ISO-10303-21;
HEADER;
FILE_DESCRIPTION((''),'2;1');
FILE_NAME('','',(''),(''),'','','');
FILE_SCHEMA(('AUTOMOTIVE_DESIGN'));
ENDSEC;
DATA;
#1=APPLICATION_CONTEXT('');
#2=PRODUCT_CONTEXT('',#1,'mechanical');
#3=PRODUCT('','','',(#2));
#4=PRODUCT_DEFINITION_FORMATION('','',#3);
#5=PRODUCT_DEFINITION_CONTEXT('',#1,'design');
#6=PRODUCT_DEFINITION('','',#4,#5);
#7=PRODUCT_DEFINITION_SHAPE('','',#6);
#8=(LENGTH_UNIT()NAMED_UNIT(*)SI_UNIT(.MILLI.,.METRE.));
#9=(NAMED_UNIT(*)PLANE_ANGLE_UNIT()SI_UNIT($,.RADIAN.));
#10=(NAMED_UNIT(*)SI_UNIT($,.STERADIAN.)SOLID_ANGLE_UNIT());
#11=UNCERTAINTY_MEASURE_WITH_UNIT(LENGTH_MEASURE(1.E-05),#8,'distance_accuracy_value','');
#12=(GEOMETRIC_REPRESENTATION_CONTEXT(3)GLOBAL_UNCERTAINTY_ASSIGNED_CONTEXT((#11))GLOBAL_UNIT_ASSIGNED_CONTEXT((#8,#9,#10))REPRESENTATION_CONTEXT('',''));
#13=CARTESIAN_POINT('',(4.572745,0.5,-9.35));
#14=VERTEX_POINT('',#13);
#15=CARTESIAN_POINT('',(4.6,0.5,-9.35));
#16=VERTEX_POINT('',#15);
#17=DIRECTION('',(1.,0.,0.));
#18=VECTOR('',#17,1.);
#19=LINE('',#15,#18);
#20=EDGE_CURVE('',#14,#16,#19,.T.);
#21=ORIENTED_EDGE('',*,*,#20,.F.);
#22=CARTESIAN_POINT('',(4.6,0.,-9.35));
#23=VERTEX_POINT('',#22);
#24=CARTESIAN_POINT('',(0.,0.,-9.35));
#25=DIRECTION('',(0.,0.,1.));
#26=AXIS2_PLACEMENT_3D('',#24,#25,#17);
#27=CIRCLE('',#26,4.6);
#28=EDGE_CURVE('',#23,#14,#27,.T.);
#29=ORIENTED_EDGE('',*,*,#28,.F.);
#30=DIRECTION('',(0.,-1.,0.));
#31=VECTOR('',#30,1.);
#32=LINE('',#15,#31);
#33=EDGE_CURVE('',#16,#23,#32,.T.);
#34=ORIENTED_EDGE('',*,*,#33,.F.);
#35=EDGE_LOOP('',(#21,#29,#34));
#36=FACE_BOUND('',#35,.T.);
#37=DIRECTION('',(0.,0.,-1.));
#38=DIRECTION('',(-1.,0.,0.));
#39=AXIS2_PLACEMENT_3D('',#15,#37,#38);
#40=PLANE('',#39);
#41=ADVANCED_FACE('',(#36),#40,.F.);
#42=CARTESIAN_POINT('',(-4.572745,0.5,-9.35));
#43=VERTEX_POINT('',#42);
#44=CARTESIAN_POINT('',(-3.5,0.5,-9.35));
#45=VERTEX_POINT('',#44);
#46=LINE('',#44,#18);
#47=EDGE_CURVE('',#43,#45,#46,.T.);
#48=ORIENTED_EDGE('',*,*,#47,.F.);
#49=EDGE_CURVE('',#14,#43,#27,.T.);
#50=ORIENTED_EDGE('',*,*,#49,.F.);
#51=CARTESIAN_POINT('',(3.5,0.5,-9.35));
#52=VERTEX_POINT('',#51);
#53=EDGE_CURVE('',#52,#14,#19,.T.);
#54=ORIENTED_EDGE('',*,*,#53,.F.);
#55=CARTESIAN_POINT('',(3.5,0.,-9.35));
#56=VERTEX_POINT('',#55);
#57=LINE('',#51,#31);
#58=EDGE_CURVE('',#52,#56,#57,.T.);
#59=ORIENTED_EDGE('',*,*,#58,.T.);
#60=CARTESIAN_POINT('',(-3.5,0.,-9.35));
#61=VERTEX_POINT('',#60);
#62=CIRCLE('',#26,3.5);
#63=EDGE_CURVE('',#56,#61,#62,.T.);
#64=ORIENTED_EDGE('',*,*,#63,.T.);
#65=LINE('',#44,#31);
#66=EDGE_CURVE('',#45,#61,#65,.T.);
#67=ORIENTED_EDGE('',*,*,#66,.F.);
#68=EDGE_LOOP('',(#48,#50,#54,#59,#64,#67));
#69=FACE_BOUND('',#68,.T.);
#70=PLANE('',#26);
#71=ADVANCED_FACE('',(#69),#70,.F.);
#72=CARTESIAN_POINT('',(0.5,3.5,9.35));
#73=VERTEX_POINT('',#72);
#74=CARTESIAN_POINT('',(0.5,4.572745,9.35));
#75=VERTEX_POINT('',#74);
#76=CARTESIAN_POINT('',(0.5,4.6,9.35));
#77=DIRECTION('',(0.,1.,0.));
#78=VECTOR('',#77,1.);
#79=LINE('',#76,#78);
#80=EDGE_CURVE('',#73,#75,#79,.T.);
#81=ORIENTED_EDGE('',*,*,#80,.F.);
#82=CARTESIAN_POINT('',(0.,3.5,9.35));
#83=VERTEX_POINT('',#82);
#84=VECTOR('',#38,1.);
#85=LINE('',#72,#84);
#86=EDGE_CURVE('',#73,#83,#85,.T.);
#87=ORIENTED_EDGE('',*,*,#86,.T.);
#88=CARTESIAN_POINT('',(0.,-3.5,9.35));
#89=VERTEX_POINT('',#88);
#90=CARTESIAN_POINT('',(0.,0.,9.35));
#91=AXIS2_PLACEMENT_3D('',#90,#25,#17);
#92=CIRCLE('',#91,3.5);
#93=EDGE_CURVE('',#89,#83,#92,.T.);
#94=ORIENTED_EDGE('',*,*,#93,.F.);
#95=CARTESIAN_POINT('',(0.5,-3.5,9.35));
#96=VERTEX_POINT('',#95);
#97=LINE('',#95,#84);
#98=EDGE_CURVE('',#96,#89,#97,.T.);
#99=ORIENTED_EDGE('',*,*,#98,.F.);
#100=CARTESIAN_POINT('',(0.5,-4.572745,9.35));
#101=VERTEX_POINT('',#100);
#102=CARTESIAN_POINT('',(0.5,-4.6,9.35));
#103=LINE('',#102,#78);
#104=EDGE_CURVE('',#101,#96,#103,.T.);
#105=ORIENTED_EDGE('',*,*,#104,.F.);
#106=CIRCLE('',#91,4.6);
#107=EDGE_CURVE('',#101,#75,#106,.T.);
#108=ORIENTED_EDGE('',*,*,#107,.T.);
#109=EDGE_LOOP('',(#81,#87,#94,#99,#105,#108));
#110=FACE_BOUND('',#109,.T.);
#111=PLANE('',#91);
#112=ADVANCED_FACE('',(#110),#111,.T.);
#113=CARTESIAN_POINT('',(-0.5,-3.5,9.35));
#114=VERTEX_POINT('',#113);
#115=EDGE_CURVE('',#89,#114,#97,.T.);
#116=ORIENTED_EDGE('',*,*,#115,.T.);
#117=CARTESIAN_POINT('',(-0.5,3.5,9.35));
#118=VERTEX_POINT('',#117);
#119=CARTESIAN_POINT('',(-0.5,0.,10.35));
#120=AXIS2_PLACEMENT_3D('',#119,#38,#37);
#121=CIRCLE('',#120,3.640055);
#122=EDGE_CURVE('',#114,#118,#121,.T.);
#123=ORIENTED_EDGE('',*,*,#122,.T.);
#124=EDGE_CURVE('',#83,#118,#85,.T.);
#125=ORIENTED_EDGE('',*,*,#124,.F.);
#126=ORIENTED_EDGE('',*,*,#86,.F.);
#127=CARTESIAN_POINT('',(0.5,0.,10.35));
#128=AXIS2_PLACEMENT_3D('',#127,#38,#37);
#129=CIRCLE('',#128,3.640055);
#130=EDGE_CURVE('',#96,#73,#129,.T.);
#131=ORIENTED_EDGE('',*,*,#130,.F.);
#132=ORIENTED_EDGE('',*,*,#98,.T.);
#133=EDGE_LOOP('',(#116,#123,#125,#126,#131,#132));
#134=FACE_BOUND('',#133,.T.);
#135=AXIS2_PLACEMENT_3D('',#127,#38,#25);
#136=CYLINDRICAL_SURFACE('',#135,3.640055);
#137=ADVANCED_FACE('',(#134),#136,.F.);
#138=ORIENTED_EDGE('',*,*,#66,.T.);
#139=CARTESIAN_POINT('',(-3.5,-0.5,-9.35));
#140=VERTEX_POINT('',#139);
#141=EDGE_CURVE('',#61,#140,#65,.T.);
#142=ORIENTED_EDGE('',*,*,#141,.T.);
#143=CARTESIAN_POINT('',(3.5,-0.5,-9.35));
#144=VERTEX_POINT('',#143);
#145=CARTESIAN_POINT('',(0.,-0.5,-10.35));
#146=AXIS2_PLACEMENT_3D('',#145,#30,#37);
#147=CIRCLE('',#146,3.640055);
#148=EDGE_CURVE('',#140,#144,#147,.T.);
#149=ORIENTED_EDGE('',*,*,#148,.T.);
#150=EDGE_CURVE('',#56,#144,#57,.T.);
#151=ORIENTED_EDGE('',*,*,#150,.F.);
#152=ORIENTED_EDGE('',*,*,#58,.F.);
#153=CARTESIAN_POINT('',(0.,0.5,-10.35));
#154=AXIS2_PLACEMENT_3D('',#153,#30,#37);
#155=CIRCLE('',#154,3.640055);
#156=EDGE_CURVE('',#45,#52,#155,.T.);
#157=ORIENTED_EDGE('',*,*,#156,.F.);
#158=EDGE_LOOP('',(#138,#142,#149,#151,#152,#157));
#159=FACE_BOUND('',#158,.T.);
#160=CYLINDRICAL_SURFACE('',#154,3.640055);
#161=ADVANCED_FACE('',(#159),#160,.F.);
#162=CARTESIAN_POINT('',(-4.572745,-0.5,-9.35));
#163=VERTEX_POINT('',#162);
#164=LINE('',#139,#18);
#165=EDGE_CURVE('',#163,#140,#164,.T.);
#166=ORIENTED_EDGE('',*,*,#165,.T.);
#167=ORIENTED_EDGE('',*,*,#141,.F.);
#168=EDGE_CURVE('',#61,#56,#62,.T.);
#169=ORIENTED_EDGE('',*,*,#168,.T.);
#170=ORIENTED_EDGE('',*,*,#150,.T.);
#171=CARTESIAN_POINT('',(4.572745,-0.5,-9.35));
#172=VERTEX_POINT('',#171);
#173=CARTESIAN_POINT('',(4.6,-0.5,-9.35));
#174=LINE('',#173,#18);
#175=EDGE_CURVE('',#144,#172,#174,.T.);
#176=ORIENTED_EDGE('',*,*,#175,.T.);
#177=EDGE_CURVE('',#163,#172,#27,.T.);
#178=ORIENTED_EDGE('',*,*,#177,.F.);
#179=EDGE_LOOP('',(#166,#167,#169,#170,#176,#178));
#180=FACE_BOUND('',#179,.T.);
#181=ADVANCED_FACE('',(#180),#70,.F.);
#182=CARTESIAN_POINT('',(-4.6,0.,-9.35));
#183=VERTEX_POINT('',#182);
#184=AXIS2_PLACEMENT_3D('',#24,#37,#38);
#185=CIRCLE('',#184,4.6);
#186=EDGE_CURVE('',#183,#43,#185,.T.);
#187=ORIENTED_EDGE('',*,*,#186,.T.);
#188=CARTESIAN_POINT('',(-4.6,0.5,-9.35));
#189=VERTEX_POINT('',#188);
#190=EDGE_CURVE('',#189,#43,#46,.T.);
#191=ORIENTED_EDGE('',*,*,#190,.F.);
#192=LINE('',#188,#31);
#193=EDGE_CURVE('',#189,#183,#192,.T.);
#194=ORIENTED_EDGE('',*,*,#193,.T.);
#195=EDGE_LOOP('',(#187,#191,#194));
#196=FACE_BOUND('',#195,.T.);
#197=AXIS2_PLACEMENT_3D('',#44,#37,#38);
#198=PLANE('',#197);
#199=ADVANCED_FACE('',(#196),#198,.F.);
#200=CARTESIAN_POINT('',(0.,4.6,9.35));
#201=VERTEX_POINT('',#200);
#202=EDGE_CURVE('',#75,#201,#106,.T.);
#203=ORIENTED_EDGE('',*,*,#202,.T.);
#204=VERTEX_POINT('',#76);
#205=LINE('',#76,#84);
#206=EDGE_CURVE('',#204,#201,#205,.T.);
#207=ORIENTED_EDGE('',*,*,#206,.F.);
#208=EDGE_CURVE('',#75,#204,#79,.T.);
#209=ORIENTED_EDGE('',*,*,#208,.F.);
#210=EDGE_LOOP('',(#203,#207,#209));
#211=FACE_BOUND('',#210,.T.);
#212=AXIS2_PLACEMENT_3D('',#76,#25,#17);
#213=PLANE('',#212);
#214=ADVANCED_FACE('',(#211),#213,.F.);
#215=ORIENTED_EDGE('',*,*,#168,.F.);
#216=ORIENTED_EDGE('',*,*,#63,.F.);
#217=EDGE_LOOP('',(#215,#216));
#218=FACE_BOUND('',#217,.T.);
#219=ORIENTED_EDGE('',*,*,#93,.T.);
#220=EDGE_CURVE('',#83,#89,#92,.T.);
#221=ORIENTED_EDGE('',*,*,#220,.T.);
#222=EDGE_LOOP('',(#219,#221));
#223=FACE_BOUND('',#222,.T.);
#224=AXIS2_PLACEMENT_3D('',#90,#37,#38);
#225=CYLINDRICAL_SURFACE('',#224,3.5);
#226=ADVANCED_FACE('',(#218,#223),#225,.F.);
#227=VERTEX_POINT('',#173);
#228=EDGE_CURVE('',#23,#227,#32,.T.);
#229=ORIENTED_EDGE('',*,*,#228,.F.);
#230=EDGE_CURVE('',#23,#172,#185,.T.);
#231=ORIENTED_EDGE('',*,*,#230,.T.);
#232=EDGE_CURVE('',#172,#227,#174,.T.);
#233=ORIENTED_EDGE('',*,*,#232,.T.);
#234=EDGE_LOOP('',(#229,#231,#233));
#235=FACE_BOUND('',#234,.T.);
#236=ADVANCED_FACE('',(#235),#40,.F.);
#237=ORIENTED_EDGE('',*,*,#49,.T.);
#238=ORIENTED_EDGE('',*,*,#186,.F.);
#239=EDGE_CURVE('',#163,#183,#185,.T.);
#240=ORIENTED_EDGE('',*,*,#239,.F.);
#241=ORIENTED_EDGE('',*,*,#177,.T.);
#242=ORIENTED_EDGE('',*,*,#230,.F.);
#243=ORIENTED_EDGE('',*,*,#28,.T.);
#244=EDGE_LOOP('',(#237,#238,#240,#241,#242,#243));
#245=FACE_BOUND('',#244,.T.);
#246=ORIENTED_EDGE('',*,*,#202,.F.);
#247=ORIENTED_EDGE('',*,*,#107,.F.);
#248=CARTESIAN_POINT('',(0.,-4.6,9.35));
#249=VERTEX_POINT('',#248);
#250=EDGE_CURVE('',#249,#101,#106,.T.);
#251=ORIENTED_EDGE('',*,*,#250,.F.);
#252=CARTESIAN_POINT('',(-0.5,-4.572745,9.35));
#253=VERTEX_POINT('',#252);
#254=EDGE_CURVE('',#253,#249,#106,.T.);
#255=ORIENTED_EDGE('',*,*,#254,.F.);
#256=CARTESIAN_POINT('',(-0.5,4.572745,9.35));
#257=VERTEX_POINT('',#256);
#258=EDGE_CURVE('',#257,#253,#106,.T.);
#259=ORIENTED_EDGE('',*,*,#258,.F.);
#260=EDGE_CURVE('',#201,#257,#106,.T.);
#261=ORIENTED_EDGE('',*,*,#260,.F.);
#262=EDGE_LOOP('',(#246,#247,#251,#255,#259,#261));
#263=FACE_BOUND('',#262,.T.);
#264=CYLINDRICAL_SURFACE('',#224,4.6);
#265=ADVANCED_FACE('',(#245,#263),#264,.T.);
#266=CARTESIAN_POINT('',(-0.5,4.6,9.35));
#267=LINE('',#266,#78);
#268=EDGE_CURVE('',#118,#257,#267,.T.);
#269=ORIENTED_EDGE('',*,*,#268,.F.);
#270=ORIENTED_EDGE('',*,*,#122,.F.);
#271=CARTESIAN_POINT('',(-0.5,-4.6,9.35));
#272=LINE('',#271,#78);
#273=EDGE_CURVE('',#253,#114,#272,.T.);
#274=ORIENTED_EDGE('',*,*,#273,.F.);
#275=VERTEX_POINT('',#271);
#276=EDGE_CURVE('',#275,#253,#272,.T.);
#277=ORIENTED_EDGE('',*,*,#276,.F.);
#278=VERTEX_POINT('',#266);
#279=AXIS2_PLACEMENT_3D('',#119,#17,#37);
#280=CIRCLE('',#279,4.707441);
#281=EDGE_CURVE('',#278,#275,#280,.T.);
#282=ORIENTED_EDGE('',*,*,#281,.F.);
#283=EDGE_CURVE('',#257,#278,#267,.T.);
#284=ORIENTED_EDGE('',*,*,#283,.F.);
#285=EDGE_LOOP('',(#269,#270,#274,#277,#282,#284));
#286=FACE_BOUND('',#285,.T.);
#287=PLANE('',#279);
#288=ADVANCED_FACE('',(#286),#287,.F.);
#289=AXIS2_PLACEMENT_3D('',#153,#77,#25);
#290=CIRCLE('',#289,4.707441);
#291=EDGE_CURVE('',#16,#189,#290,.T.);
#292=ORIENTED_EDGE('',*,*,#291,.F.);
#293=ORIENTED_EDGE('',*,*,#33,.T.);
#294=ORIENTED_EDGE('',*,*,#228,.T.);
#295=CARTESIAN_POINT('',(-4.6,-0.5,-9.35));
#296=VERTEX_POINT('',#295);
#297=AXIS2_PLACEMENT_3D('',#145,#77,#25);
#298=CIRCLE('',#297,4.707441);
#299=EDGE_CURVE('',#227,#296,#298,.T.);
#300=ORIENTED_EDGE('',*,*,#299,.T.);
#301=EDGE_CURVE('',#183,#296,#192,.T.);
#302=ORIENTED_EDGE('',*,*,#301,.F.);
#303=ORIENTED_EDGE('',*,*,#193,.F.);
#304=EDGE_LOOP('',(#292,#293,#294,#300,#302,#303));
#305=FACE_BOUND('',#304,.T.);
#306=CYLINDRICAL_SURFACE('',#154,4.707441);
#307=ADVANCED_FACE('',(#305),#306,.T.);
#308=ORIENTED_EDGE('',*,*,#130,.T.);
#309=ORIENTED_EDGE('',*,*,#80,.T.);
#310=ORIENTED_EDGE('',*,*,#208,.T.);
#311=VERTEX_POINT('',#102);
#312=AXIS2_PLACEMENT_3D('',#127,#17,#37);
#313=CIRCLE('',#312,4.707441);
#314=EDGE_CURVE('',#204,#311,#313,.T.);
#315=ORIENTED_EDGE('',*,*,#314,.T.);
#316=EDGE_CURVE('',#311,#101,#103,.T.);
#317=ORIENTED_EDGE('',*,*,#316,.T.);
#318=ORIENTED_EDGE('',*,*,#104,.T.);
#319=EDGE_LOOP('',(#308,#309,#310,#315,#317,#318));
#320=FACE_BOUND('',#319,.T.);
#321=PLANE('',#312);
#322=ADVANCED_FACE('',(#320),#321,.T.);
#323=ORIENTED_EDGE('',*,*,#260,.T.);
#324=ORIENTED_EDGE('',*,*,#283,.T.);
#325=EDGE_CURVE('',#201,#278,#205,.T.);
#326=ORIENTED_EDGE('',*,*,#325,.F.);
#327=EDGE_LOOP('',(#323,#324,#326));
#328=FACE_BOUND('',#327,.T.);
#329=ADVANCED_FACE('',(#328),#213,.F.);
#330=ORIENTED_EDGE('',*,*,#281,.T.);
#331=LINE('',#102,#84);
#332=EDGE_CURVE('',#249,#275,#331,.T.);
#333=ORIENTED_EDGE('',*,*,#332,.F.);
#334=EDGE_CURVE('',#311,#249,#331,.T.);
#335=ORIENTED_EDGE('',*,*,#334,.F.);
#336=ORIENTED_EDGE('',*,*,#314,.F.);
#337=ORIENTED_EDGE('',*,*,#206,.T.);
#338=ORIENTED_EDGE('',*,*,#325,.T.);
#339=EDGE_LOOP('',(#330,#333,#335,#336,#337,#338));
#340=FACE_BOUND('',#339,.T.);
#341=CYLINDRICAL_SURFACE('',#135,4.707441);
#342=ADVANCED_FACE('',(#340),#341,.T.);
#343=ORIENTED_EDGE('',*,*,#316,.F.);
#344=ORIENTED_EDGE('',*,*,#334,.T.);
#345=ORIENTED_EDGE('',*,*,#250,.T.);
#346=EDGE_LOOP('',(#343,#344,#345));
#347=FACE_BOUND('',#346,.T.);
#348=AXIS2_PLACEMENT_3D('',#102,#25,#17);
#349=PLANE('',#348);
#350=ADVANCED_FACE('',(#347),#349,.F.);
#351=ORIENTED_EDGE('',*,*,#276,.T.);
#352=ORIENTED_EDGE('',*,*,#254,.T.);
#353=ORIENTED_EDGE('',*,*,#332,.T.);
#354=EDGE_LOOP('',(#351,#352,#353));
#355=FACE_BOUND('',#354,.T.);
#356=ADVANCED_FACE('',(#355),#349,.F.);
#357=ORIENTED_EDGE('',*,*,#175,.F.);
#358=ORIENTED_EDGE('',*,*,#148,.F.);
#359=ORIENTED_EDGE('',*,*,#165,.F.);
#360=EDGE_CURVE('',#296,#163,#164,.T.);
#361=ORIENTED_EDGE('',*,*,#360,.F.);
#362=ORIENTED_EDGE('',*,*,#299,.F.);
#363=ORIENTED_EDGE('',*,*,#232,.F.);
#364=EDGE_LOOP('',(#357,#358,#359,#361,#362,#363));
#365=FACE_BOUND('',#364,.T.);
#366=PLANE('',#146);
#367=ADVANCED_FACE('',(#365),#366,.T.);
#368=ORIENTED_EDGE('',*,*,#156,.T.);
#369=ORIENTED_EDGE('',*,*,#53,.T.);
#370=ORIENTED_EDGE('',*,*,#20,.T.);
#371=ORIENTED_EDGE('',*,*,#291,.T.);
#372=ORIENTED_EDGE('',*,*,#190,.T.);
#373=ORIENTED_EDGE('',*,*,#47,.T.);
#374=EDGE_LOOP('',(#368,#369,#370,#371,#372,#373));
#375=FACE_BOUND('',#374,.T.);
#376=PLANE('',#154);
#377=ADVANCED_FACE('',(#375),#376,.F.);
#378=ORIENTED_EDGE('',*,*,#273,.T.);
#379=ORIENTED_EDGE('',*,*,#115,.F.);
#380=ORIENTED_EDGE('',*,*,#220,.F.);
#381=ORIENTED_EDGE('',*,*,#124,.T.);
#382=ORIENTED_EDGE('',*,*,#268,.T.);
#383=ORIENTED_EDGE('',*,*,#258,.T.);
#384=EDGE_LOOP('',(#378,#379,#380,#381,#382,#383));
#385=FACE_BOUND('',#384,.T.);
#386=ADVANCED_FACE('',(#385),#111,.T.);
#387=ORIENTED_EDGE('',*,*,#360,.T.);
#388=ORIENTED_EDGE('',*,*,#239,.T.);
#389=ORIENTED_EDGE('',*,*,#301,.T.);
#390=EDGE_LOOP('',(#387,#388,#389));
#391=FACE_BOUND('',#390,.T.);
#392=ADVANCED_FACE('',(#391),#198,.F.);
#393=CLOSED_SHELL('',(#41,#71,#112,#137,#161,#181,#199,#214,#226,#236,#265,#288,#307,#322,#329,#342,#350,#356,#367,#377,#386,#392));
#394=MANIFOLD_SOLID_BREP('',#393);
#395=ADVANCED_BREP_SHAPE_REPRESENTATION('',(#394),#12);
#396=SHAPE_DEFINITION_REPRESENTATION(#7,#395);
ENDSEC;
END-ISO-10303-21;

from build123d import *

# Parameters (mm, degrees)
SKETCH1_R           = 4.6
SKETCH1_R_2         = 3.5
BOSS_EXTRUDE1_DEPTH = 9.35
BOSS_EXTRUDE2_DEPTH = 0.5
BOSS_EXTRUDE3_DEPTH = 0.5


with BuildPart() as part:
    # Sketch1 → Boss-Extrude1 (new, symmetric)
    with BuildSketch(Plane.XY):
        Circle(SKETCH1_R)
        Circle(SKETCH1_R_2, mode=Mode.SUBTRACT)
    extrude(amount=BOSS_EXTRUDE1_DEPTH, both=True)

    # Sketch2 → Boss-Extrude2 (add, symmetric)
    with BuildSketch(Plane(origin=(0, 0, 0), x_dir=(0, 0, -1), z_dir=(1, 0, 0))):
        with BuildLine():
            Line((-9.35, -4.6), (-9.35, -3.5))
            ThreePointArc((-9.35, -3.5), (-13.990054945, 0), (-9.35, 3.5))
            Line((-9.35, 3.5), (-9.35, 4.6))
            ThreePointArc((-9.35, 4.6), (-15.057440918, 0), (-9.35, -4.6))
        make_face()
    extrude(amount=BOSS_EXTRUDE2_DEPTH, both=True)

    # Sketch4 → Boss-Extrude3 (add, symmetric)
    with BuildSketch(Plane(origin=(0, 0, 0), x_dir=(1, 0, 0), z_dir=(0, 1, 0))):
        with BuildLine():
            Line((4.6, 9.35), (3.5, 9.35))
            ThreePointArc((3.5, 9.35), (0, 13.990054945), (-3.5, 9.35))
            Line((-3.5, 9.35), (-4.6, 9.35))
            ThreePointArc((-4.6, 9.35), (0, 15.057440918), (4.6, 9.35))
        make_face()
    extrude(amount=BOSS_EXTRUDE3_DEPTH, both=True)


solid = part.part
